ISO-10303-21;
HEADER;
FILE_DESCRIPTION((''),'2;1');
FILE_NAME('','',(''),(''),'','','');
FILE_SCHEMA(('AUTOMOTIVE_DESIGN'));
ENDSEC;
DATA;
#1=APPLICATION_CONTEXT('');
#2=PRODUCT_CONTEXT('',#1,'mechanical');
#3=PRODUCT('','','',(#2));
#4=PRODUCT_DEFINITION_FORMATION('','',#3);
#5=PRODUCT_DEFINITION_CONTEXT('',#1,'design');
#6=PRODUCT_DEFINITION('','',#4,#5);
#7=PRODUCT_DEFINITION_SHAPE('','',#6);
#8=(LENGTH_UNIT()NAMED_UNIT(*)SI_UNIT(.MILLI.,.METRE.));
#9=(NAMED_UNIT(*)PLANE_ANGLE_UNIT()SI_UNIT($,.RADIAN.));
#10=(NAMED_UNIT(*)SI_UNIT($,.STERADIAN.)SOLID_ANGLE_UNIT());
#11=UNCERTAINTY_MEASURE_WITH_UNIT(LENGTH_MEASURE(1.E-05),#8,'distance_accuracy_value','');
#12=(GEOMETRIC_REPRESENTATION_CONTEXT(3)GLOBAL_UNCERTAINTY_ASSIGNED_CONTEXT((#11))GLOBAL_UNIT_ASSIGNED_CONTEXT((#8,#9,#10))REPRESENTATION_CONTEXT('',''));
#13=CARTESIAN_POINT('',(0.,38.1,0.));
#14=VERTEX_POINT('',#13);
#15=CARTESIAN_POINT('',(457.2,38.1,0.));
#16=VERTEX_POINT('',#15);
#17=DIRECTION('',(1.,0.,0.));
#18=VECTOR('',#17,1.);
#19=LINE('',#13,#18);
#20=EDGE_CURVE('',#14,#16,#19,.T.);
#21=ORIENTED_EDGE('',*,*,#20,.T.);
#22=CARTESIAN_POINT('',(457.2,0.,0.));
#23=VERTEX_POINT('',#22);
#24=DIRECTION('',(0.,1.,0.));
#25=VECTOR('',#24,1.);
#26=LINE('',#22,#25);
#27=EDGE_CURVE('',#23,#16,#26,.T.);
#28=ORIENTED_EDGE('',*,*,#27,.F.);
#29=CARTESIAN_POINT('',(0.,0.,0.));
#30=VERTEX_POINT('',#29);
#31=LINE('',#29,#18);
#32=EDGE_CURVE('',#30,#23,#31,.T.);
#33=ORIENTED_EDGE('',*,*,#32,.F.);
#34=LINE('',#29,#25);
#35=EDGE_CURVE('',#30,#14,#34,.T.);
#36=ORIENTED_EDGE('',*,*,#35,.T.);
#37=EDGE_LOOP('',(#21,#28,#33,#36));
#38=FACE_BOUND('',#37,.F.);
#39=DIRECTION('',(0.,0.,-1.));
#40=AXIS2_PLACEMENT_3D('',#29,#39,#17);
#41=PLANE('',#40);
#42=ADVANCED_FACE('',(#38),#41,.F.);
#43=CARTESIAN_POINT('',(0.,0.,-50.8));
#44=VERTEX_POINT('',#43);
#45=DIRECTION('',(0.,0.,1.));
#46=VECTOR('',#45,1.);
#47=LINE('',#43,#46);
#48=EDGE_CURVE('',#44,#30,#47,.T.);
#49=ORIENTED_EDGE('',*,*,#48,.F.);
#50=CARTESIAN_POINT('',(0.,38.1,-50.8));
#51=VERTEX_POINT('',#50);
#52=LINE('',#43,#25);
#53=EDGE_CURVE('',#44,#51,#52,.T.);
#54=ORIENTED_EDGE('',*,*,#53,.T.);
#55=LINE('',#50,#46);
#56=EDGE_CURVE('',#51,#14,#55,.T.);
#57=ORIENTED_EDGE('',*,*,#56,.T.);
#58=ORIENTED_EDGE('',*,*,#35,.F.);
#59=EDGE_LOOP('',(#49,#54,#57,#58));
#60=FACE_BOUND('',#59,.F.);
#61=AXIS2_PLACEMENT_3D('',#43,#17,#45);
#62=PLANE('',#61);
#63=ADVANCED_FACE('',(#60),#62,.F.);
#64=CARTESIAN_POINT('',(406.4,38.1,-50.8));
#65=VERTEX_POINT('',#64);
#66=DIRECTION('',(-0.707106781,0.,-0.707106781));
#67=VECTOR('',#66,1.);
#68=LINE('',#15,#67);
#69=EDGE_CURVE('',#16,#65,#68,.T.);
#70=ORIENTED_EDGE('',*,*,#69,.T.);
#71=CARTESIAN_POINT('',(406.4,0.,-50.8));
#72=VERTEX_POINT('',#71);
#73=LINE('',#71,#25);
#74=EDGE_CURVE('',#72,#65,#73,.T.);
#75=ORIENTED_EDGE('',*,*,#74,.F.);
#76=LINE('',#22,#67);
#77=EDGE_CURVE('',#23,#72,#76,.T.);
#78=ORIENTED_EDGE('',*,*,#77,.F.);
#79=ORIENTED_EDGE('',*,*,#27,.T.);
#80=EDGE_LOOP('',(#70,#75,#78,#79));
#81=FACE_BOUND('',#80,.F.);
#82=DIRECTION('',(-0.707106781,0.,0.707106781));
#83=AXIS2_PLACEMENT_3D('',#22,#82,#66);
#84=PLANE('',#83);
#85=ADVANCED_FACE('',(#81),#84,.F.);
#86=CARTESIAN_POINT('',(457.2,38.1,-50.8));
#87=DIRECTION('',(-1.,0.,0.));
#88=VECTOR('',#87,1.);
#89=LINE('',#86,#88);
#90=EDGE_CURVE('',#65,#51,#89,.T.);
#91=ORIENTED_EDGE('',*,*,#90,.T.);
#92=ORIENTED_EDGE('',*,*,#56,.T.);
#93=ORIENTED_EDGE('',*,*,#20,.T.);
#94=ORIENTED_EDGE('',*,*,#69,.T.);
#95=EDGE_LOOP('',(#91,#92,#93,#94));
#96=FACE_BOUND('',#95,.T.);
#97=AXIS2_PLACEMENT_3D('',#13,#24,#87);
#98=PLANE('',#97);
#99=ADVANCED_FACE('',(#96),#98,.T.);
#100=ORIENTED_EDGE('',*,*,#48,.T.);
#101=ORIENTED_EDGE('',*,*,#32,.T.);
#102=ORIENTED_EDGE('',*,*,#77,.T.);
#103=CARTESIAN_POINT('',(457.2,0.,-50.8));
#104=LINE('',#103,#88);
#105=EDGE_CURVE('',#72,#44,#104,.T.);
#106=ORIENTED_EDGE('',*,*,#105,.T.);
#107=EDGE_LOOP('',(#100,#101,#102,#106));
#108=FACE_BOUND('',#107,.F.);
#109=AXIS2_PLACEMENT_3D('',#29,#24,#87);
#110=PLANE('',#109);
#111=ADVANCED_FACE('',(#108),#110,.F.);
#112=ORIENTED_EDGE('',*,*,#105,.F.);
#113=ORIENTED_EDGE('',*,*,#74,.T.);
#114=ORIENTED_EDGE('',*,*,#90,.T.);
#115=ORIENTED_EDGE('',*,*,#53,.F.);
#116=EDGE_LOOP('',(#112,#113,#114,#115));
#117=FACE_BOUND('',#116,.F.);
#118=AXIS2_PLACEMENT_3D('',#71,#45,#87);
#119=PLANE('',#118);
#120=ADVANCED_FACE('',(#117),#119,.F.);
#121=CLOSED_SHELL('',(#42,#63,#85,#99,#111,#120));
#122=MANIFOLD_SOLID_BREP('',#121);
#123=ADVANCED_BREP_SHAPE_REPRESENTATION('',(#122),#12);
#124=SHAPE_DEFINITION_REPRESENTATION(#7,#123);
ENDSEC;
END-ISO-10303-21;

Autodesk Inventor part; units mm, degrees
ref_plane "YZ Plane" through (0, 0, 0) normal (1, 0, 0) x (0, 1, 0)
ref_plane "XZ Plane" through (0, 0, 0) normal (0, 1, 0) x (-1, 0, 0)
ref_plane "XY Plane" through (0, 0, 0) normal (0, 0, 1) x (1, 0, 0)
sketch "Sketch2" plane through (0, 0, 0) normal (0, 1, 0) x (-1, 0, 0)
  line L0 (0, 0) -> (-457.2, 0)
  line L1 (-457.2, 0) -> (-457.2, -50.8)
  line L2 (-457.2, -50.8) -> (0, -50.8)
  line L3 (0, -50.8) -> (0, 0)
  line L4 (-457.2, 0) -> (-406.4, -50.8)
  line L5 (-457.2, 0) -> (-385.358, 0) construction
  dimension "d3" = 457.2
  dimension "d4" = 50.8
  dimension "d5" = 45
extrude "Extrusion1" add sketch "Sketch2" along normal blind 38.1 contours L3 L2 L4 L0
properties part number "RiserM"
